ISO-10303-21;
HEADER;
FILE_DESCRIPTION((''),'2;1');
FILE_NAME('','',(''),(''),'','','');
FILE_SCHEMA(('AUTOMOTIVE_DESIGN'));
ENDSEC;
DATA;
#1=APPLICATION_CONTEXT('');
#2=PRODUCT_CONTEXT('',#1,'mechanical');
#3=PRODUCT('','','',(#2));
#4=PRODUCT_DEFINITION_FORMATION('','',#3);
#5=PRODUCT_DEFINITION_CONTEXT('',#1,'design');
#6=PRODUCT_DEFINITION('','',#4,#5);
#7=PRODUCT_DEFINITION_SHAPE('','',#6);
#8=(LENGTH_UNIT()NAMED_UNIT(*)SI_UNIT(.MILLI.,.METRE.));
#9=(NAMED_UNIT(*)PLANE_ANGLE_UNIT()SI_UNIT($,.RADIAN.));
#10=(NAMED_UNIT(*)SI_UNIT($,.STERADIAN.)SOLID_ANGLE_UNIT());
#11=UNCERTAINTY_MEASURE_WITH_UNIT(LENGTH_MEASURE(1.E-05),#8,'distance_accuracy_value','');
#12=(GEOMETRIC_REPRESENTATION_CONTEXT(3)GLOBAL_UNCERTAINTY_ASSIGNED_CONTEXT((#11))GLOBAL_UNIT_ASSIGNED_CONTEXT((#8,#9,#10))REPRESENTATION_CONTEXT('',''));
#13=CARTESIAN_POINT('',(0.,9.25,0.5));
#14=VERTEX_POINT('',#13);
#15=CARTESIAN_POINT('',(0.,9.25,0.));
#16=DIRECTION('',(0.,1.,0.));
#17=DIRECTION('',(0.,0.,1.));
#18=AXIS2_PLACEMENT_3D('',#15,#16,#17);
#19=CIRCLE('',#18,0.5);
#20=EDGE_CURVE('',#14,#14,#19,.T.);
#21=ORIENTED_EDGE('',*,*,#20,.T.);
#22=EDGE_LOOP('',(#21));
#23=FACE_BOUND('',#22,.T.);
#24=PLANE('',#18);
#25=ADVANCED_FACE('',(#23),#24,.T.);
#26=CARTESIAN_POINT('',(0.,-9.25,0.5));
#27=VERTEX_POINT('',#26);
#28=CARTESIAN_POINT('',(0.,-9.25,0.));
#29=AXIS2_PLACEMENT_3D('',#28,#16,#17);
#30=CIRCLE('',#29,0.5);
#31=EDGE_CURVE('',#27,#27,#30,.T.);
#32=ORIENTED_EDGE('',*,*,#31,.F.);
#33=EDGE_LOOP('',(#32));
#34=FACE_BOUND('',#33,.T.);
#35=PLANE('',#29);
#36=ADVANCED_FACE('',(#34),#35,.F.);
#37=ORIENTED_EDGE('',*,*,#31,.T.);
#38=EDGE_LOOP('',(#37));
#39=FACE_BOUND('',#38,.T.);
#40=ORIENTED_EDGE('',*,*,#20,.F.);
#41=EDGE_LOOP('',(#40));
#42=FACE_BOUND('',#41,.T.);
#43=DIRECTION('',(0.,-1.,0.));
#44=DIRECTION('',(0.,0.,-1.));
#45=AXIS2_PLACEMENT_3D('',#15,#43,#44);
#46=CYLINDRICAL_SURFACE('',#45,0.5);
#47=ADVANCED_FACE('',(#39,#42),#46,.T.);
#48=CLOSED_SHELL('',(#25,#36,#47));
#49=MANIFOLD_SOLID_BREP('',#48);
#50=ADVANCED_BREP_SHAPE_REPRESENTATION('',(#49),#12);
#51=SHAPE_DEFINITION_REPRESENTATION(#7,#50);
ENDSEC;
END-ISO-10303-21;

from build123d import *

# Parameters (mm, degrees)
SKETCH1_R           = 0.5
BOSS_EXTRUDE1_DEPTH = 9.25


with BuildPart() as part:
    # Sketch1 → Boss-Extrude1 (new body, symmetric)
    with BuildSketch(Plane(origin=(0, 0, 0), x_dir=(1, 0, 0), z_dir=(0, 1, 0))):
        Circle(SKETCH1_R)
    extrude(amount=BOSS_EXTRUDE1_DEPTH, both=True)


solid = part.part
